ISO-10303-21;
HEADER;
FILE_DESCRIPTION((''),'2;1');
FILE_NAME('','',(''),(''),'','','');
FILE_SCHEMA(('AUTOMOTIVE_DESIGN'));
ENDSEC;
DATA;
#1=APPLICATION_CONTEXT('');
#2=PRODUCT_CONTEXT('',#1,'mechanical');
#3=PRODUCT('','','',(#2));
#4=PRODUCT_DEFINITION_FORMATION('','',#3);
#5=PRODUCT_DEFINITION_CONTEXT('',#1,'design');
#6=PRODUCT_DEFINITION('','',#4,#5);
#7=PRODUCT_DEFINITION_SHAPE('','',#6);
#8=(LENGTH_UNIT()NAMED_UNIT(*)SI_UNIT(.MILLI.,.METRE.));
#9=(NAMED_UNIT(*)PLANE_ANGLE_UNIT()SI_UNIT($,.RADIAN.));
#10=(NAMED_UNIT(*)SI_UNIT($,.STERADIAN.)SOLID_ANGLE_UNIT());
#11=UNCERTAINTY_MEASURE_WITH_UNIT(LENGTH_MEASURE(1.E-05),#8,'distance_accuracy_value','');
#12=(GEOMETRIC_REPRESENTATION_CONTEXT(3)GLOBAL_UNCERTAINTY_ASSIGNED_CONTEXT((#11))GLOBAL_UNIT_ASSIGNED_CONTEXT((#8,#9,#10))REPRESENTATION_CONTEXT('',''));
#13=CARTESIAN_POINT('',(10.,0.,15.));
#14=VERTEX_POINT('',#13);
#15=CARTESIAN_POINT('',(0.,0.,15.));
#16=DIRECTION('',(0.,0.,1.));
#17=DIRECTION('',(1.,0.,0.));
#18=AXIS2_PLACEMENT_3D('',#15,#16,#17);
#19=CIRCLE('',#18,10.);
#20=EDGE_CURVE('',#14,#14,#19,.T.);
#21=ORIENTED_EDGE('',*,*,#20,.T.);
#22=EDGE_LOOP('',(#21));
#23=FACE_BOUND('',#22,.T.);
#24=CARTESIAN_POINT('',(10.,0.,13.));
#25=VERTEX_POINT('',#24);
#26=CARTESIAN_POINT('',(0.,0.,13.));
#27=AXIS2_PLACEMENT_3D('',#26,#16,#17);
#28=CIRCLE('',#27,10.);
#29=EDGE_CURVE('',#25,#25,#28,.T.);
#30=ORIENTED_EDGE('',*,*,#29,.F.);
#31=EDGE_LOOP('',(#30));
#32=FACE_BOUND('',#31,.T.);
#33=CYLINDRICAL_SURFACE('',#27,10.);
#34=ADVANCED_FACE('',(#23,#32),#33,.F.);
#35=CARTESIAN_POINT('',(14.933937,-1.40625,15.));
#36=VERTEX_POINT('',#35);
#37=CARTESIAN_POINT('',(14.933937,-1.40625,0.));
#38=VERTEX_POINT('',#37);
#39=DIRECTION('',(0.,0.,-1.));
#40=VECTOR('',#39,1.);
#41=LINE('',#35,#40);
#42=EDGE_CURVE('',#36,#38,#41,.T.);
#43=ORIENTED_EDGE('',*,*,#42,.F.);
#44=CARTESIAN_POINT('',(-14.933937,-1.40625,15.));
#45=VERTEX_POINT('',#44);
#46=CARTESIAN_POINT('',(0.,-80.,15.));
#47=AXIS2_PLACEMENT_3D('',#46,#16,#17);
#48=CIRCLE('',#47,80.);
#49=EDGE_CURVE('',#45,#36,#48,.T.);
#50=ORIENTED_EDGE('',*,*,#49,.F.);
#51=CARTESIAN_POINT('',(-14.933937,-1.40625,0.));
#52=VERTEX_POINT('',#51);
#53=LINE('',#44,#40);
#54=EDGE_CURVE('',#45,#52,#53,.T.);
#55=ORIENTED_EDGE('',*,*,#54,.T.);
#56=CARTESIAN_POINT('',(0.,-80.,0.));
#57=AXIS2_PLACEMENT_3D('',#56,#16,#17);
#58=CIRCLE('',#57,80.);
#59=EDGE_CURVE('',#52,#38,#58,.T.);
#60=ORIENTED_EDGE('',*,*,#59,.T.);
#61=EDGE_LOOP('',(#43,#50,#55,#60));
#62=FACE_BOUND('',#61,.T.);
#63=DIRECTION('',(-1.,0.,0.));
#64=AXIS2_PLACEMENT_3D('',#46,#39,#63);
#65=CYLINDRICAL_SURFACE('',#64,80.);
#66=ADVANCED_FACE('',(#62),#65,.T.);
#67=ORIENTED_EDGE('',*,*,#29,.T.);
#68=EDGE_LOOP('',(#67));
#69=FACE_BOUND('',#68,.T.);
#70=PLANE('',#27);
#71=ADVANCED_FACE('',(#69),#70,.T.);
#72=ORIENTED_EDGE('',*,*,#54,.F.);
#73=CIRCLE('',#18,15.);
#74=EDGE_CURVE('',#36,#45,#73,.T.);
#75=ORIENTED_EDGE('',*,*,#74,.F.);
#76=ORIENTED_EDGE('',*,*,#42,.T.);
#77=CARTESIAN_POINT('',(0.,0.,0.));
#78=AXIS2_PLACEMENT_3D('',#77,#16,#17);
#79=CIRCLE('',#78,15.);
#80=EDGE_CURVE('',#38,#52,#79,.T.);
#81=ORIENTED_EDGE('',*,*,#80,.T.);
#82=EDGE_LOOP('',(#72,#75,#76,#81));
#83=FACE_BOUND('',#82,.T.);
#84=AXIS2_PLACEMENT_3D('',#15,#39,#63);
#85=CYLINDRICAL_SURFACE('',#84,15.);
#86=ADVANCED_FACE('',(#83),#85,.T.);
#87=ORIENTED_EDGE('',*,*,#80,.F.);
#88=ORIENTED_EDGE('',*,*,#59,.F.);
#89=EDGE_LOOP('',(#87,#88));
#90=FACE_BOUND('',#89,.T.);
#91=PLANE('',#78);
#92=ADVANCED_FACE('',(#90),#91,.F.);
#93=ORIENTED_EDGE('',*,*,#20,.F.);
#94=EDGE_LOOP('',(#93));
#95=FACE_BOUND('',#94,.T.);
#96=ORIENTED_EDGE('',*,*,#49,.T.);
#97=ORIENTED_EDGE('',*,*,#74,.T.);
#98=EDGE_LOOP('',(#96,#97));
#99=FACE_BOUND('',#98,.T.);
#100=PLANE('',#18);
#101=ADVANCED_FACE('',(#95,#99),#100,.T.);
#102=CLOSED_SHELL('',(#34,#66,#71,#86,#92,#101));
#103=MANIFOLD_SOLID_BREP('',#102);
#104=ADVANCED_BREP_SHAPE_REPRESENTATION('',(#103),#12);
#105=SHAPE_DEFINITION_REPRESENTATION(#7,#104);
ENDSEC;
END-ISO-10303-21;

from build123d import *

# Parameters (mm, degrees)
EXTRUDE_1_DEPTH     = 15
SKETCH_10_R         = 10
CUT_EXTRUDE_3_DEPTH = 2


with BuildPart() as part:
    # ｽｹｯﾁ4 → ﾎﾞｽ - 押し出し1 (new body)
    with BuildSketch(Plane.XY):
        with BuildLine():
            ThreePointArc((14.933936552, -1.40625), (0, 15), (-14.933936552, -1.40625))
            ThreePointArc((-14.933936552, -1.40625), (0, -160), (14.933936552, -1.40625))
        make_face()
    extrude(amount=EXTRUDE_1_DEPTH)

    # ｽｹｯﾁ10 → ｶｯﾄ - 押し出し3 (cut)
    with BuildSketch(Plane.XY.offset(15)):
        Circle(SKETCH_10_R)
    extrude(amount=-CUT_EXTRUDE_3_DEPTH, mode=Mode.SUBTRACT)


solid = part.part
